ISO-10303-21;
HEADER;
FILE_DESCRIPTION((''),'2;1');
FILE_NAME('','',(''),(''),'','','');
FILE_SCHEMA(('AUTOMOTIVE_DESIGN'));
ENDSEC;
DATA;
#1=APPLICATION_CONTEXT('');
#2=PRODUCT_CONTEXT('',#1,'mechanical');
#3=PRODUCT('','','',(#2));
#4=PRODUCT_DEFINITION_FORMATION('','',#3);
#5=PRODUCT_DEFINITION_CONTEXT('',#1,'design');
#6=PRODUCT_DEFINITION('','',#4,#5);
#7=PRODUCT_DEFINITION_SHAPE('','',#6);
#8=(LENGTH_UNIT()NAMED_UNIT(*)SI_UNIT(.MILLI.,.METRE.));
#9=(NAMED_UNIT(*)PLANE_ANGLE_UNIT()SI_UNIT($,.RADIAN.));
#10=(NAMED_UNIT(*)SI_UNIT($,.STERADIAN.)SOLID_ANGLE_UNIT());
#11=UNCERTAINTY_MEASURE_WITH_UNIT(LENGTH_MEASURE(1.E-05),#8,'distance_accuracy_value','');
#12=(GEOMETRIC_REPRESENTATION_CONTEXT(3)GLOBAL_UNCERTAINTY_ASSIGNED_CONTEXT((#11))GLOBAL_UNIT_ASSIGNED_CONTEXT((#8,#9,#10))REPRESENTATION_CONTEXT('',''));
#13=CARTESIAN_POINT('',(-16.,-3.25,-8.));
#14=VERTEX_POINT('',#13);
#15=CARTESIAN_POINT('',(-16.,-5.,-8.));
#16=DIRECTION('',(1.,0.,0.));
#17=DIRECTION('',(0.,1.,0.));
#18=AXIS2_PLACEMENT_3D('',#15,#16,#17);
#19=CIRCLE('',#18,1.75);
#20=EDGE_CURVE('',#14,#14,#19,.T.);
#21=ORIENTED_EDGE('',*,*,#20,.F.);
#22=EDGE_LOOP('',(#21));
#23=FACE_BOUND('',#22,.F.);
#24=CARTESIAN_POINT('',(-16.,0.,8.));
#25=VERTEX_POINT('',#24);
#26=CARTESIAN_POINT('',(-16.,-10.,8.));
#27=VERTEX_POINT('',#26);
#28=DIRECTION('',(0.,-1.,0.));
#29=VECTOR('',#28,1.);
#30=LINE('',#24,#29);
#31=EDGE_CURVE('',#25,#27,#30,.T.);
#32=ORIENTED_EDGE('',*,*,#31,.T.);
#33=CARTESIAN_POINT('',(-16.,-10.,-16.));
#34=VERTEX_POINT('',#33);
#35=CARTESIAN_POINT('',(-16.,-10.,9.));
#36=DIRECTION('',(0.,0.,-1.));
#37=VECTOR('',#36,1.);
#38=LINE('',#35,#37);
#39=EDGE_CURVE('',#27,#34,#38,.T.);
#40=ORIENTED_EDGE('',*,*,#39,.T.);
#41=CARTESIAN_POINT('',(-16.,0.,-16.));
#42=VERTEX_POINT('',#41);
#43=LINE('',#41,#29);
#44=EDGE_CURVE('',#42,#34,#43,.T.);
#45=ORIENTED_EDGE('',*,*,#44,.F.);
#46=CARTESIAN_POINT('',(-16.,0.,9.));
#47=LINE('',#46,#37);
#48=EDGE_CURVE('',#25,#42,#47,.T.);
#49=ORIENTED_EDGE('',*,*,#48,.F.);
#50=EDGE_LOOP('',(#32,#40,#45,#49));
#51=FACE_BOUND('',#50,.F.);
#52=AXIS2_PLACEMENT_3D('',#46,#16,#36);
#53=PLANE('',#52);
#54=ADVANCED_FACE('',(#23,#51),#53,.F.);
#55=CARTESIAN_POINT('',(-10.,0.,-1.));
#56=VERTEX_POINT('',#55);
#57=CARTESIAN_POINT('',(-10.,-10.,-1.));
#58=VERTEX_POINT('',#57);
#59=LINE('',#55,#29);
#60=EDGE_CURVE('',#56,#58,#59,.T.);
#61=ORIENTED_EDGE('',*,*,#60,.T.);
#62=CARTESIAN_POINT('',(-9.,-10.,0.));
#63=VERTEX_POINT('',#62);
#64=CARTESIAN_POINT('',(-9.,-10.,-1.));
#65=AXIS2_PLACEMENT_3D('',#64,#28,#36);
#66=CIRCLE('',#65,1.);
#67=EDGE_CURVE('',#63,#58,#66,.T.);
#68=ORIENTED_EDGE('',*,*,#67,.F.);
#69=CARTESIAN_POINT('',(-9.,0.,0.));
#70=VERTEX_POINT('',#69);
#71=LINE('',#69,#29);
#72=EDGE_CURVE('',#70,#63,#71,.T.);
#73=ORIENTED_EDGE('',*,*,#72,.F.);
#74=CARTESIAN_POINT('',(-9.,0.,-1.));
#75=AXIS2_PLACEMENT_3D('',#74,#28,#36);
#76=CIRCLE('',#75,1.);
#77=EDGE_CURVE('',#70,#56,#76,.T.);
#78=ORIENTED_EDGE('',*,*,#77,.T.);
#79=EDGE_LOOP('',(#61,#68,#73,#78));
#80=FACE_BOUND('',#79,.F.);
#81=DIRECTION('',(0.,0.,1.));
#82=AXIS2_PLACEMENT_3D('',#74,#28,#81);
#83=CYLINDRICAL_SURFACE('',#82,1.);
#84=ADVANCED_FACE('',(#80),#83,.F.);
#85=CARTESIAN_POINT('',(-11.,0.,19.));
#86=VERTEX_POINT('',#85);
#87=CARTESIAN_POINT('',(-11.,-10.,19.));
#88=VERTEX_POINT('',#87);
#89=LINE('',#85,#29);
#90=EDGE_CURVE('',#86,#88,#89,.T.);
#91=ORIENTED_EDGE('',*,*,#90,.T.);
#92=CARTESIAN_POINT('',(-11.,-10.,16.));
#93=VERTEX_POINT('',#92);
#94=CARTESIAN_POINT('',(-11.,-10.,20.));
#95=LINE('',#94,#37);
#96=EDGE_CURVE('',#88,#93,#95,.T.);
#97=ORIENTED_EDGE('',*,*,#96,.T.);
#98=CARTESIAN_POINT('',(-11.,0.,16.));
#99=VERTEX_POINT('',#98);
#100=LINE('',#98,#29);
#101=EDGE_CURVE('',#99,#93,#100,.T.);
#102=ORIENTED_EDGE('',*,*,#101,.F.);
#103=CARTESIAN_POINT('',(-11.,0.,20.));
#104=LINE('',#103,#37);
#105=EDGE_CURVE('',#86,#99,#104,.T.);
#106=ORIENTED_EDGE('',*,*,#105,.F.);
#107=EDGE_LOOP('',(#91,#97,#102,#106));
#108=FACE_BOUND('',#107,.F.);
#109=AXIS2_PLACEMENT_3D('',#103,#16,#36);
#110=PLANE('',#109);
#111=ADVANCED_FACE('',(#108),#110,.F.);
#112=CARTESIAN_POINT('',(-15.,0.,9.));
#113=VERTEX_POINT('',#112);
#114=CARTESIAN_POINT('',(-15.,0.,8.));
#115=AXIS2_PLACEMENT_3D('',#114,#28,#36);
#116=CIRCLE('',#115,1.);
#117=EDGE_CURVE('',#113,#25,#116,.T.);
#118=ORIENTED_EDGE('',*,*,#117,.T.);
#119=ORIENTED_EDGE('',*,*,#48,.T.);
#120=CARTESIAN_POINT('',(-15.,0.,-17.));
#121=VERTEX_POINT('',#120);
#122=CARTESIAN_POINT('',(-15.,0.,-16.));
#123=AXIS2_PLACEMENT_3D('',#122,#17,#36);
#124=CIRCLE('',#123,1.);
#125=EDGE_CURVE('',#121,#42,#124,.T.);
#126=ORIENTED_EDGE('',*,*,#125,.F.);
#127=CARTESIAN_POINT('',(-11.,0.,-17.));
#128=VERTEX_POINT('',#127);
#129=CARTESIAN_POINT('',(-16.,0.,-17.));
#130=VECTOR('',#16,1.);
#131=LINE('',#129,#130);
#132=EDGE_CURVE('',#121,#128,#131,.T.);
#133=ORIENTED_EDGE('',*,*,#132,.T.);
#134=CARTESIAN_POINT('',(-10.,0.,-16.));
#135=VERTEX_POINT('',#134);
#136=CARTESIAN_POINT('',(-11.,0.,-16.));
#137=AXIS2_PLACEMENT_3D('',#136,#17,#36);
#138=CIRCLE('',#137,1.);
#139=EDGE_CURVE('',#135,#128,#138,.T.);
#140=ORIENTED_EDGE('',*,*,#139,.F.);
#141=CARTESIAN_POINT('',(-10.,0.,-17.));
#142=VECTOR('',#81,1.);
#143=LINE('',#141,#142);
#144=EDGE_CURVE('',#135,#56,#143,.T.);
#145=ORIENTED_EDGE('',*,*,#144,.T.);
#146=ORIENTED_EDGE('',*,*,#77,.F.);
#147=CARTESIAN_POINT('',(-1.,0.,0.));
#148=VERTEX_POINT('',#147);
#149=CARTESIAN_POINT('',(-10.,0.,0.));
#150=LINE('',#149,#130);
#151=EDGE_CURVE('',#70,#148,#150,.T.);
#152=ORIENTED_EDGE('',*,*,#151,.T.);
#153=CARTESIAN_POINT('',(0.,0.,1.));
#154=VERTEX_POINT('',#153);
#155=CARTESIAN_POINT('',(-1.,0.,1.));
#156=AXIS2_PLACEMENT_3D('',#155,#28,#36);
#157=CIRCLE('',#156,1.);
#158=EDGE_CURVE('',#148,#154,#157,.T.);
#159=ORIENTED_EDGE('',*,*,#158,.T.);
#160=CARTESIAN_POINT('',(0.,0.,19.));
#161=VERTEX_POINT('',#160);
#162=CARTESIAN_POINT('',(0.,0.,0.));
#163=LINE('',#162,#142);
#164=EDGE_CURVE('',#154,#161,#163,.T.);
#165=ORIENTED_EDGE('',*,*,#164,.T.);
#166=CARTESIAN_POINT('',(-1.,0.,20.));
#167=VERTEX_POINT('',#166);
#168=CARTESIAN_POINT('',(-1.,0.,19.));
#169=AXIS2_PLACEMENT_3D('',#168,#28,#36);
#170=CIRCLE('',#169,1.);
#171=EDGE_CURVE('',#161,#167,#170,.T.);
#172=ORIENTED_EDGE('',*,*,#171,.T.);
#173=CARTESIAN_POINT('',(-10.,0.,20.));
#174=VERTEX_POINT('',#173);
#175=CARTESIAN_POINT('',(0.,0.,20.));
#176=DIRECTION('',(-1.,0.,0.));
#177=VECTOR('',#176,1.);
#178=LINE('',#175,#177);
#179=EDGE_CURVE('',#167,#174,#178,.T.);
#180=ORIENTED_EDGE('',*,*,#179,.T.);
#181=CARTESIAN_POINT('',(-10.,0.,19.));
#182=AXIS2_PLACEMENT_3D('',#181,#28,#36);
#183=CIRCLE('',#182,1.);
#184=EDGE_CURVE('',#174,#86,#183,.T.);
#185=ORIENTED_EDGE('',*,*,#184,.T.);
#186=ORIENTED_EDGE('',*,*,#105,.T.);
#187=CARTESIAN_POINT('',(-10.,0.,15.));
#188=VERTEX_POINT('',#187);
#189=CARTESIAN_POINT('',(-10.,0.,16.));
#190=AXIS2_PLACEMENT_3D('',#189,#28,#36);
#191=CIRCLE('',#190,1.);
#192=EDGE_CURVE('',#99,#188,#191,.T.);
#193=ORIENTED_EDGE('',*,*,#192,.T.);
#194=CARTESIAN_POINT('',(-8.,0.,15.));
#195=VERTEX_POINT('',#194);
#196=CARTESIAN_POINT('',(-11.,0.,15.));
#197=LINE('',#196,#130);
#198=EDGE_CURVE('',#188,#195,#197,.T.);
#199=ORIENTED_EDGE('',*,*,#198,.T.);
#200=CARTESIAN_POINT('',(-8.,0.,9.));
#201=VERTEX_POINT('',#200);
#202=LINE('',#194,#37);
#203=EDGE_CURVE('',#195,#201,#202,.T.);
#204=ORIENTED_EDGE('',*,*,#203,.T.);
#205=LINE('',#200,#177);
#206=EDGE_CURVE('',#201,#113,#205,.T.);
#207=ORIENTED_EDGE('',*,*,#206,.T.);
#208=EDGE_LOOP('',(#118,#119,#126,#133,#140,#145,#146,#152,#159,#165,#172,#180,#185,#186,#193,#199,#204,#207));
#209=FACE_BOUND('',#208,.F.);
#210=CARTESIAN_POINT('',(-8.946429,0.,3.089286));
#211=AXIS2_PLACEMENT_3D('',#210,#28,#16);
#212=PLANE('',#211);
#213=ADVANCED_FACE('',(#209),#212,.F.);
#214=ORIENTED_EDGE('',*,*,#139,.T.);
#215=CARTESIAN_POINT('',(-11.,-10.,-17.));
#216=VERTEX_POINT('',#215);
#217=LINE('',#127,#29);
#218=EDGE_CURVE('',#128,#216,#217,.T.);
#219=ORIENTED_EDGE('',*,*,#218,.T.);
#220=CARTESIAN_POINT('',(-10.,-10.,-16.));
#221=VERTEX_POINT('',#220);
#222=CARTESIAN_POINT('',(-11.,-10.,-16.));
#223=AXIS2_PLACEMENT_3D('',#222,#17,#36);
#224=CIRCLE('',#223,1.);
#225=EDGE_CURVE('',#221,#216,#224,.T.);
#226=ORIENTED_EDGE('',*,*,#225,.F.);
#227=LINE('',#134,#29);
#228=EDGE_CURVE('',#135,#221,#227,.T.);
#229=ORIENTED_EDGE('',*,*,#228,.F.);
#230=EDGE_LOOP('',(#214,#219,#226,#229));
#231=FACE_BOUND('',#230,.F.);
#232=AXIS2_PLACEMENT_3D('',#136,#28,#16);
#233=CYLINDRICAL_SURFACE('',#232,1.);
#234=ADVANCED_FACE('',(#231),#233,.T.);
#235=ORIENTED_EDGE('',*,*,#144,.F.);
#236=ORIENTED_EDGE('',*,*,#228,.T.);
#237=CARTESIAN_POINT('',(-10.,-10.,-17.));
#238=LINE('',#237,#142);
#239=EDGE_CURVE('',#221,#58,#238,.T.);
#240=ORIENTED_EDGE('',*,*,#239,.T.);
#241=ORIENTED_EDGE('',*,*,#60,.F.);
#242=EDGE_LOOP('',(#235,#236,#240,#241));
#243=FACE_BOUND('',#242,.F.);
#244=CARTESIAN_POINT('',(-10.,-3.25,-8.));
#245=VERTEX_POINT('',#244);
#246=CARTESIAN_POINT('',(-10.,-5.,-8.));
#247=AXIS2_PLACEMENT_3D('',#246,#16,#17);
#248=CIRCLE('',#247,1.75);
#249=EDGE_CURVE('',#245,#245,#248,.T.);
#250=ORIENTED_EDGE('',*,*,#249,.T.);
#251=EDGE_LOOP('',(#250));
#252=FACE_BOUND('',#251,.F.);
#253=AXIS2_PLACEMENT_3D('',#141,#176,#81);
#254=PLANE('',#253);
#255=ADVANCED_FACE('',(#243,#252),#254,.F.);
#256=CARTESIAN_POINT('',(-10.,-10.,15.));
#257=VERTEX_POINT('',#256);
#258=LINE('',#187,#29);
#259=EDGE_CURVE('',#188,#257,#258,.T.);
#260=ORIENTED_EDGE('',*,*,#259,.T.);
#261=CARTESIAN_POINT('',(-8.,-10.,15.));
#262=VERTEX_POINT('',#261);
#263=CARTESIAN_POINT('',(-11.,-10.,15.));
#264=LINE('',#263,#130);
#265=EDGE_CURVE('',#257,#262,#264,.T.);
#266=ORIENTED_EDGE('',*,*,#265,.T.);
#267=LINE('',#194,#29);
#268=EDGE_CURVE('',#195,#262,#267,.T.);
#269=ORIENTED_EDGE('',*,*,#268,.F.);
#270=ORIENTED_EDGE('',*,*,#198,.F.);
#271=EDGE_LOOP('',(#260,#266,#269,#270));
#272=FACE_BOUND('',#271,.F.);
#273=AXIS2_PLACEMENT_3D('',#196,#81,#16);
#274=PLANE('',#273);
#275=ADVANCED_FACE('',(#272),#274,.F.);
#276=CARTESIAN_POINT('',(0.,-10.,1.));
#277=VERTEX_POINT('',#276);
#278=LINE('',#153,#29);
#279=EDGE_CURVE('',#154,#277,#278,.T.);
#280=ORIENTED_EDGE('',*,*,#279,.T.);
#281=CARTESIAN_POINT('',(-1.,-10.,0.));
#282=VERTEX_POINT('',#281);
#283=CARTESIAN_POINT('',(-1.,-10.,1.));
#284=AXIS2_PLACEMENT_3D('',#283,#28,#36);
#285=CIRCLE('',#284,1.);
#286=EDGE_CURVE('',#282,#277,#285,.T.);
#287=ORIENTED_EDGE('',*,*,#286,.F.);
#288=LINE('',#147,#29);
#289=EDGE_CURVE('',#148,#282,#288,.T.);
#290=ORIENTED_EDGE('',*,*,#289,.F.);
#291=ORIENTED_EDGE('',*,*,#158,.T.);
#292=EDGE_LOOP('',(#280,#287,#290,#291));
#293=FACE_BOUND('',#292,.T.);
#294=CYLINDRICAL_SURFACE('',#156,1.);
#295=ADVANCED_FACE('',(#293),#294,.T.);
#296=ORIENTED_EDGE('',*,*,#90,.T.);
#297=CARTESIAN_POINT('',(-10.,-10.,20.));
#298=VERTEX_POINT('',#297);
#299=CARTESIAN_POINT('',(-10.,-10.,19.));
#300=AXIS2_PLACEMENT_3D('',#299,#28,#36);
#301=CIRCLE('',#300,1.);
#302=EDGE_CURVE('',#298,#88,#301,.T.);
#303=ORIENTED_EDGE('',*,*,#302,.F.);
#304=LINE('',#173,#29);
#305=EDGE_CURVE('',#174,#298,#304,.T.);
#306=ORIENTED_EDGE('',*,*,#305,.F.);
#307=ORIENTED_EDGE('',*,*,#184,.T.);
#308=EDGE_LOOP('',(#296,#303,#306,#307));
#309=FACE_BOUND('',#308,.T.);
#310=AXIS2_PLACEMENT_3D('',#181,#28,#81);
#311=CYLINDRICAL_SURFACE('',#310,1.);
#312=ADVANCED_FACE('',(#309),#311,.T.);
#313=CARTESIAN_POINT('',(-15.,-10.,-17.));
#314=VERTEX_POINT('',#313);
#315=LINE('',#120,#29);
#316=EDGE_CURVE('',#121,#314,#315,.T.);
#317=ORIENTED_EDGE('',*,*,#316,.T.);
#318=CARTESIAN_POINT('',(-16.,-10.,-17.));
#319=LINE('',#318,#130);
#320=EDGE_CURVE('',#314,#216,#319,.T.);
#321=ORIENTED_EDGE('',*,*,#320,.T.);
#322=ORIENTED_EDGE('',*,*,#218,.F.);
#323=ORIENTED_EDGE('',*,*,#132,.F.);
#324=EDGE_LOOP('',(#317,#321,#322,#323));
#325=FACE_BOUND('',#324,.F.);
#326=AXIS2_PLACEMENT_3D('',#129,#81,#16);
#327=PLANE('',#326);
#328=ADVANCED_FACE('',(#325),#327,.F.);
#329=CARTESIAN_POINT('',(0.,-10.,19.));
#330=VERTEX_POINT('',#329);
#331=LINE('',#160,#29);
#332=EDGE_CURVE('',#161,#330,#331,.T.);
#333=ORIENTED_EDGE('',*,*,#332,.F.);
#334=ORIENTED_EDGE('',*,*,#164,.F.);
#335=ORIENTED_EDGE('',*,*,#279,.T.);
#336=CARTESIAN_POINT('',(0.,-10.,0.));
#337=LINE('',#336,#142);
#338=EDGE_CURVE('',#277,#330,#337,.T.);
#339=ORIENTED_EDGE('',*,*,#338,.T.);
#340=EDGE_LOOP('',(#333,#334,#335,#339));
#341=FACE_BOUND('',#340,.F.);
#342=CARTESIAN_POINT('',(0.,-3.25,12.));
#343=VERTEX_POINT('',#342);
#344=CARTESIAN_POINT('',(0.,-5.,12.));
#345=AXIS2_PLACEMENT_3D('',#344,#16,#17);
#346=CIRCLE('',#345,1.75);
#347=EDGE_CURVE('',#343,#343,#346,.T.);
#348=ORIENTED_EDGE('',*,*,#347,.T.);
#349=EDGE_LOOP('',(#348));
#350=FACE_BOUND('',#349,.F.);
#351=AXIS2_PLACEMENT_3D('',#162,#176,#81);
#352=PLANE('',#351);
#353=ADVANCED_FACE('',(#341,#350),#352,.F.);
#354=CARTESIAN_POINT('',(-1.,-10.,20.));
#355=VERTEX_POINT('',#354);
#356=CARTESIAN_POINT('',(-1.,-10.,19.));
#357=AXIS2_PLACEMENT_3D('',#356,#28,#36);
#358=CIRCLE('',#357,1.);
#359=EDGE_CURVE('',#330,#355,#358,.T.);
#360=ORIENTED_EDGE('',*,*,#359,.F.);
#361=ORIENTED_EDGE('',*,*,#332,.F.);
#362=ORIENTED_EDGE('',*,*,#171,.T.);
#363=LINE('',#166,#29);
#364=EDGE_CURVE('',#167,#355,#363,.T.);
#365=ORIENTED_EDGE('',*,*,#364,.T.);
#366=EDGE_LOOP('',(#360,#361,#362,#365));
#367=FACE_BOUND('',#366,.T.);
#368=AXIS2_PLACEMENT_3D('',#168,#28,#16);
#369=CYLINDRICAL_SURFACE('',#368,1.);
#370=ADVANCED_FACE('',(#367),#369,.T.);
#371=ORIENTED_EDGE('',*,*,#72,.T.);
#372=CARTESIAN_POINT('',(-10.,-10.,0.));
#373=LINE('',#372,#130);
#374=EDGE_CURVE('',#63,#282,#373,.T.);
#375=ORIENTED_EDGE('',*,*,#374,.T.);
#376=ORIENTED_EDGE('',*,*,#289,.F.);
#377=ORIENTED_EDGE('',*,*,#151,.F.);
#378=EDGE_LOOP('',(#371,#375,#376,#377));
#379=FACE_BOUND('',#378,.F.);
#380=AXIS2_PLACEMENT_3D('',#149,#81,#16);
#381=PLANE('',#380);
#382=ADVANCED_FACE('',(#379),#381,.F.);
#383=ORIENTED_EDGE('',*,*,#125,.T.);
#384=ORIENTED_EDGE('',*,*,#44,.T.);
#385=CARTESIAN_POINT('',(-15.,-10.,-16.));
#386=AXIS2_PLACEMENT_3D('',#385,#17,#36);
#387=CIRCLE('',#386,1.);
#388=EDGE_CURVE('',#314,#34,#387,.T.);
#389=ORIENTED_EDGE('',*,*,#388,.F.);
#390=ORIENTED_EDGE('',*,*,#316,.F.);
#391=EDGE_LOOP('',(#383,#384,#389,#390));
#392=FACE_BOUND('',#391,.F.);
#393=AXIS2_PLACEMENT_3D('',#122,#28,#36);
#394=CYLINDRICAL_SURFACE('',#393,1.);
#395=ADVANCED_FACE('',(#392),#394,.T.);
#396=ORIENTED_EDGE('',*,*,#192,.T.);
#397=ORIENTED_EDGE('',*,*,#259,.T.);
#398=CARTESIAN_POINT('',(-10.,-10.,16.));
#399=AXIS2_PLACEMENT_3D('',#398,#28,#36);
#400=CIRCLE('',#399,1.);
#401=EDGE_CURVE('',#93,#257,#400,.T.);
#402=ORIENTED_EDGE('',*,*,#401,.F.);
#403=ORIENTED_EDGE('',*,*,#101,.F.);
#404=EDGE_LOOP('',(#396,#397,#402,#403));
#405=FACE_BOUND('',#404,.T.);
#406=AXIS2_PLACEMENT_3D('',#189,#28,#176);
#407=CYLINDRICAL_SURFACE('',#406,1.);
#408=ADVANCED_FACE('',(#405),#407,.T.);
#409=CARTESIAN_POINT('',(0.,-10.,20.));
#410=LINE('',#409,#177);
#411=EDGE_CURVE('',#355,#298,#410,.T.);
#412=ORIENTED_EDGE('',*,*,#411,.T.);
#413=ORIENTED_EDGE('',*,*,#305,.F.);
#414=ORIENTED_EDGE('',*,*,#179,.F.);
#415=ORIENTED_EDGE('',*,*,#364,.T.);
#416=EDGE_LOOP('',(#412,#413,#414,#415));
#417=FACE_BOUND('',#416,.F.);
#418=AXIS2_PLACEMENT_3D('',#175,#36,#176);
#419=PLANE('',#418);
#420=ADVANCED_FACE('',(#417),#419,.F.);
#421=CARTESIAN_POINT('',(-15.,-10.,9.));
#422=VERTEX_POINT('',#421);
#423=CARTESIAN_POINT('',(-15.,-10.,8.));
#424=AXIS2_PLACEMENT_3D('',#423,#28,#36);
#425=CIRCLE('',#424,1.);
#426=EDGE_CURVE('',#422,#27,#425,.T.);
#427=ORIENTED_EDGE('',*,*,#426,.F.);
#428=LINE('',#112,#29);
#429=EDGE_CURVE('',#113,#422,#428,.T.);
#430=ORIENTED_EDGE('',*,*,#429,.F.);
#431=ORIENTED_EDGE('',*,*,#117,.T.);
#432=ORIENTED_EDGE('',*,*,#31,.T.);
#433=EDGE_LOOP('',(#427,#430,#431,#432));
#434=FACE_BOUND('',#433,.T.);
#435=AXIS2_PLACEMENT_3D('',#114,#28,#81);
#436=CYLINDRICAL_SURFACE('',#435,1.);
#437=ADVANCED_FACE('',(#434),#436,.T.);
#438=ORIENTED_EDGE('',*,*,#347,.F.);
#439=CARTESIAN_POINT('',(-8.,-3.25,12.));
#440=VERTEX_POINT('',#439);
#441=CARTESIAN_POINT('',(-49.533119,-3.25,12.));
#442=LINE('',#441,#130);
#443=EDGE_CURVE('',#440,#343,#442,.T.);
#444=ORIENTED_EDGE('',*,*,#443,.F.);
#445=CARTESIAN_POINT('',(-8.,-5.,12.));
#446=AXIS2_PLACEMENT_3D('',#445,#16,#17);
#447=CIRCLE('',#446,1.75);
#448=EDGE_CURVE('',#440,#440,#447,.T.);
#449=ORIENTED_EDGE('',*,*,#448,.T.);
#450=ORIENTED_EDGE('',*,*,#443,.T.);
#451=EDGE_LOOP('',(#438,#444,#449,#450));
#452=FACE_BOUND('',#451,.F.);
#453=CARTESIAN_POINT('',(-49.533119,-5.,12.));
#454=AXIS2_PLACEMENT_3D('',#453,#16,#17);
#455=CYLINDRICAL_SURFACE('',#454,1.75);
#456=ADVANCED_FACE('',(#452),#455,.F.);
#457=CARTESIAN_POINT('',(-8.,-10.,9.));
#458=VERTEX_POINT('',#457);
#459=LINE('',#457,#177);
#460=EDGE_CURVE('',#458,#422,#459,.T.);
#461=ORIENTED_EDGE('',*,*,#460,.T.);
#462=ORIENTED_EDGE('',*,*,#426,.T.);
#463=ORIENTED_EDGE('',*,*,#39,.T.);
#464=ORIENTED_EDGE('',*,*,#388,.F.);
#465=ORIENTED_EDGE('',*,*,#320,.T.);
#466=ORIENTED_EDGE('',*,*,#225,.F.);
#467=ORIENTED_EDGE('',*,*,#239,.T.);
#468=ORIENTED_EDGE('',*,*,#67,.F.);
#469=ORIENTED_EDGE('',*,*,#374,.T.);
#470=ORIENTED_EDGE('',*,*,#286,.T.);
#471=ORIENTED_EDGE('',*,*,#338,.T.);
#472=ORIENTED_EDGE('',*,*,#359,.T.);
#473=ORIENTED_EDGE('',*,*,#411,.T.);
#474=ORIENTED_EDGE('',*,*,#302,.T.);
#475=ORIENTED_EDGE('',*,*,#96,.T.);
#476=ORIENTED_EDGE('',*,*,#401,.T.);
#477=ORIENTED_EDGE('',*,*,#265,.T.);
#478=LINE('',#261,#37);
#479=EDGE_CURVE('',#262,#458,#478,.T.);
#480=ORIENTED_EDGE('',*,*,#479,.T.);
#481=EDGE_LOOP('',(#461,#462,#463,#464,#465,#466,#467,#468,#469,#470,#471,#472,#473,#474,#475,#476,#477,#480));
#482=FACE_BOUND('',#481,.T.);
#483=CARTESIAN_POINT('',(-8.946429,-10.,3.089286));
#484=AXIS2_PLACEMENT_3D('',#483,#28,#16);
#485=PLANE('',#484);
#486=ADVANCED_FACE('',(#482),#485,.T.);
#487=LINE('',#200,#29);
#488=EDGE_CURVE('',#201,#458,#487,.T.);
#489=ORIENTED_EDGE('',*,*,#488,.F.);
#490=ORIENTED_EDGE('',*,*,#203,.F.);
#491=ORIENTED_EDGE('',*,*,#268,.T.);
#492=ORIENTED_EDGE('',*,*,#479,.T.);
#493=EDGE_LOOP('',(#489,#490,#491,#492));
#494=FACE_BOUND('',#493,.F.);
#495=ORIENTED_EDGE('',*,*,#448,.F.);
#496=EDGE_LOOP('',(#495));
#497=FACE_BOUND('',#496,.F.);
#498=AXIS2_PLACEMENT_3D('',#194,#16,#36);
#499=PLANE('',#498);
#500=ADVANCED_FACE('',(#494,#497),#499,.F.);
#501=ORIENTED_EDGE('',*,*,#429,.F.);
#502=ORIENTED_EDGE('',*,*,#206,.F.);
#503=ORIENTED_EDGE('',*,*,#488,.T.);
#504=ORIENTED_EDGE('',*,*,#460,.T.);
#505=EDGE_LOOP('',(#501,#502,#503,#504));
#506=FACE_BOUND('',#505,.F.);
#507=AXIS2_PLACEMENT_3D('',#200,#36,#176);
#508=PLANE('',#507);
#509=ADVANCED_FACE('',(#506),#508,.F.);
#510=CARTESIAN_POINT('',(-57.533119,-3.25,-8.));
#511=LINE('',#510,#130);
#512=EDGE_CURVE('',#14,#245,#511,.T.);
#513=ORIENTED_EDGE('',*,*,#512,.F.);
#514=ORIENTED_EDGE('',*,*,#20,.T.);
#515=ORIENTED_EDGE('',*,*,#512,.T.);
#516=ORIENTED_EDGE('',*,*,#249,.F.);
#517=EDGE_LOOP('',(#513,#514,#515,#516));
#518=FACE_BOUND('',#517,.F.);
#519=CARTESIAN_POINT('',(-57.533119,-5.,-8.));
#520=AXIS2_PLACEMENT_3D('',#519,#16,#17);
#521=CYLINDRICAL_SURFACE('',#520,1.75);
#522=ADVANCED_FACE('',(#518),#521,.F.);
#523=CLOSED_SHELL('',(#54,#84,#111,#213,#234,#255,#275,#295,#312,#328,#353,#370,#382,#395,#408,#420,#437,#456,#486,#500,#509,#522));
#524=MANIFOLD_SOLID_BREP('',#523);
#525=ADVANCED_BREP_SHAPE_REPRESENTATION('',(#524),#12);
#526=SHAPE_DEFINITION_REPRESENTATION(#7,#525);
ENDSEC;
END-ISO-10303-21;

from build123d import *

# Parameters (mm, degrees)
F1_DEPTH = 10
F3_D     = 3.5
F4_R     = 1
F6_D     = 3.5


with BuildPart() as f1:
    # F0 (on Front) → F1 (new body)
    with BuildSketch(Plane.XZ):
        Polygon((-10, 0), (0, 0), (0, 20), (-11, 20), (-11, 15), (-8, 15), (-8, 9), (-16, 9), (-16, -17), (-10, -17), align=None)
    extrude(amount=F1_DEPTH)

    # F3 (through all)
    with Locations(Plane(origin=(-8, 0, 0), x_dir=(0, -1, 0), z_dir=(-1, 0, 0))):
        with Locations((5, 12)):
            Hole(F3_D / 2)

    # F4
    f4_edges = [f1.edges().sort_by_distance(p)[0] for p in [
        (-11, -5, 20),
        (-11, -5, 15),
        (-16, -5, 9),
        (-16, -5, -17),
        (-10, -5, -17),
        (-10, -5, 0),
        (0, -5, 0),
        (0, -5, 20),
    ]]
    fillet(f4_edges, radius=F4_R)

    # F6 (through all)
    with Locations(Plane(origin=(-16, 0, 0), x_dir=(0, -1, 0), z_dir=(-1, 0, 0))):
        with Locations((5, -8)):
            Hole(F6_D / 2)


solid = f1.part
